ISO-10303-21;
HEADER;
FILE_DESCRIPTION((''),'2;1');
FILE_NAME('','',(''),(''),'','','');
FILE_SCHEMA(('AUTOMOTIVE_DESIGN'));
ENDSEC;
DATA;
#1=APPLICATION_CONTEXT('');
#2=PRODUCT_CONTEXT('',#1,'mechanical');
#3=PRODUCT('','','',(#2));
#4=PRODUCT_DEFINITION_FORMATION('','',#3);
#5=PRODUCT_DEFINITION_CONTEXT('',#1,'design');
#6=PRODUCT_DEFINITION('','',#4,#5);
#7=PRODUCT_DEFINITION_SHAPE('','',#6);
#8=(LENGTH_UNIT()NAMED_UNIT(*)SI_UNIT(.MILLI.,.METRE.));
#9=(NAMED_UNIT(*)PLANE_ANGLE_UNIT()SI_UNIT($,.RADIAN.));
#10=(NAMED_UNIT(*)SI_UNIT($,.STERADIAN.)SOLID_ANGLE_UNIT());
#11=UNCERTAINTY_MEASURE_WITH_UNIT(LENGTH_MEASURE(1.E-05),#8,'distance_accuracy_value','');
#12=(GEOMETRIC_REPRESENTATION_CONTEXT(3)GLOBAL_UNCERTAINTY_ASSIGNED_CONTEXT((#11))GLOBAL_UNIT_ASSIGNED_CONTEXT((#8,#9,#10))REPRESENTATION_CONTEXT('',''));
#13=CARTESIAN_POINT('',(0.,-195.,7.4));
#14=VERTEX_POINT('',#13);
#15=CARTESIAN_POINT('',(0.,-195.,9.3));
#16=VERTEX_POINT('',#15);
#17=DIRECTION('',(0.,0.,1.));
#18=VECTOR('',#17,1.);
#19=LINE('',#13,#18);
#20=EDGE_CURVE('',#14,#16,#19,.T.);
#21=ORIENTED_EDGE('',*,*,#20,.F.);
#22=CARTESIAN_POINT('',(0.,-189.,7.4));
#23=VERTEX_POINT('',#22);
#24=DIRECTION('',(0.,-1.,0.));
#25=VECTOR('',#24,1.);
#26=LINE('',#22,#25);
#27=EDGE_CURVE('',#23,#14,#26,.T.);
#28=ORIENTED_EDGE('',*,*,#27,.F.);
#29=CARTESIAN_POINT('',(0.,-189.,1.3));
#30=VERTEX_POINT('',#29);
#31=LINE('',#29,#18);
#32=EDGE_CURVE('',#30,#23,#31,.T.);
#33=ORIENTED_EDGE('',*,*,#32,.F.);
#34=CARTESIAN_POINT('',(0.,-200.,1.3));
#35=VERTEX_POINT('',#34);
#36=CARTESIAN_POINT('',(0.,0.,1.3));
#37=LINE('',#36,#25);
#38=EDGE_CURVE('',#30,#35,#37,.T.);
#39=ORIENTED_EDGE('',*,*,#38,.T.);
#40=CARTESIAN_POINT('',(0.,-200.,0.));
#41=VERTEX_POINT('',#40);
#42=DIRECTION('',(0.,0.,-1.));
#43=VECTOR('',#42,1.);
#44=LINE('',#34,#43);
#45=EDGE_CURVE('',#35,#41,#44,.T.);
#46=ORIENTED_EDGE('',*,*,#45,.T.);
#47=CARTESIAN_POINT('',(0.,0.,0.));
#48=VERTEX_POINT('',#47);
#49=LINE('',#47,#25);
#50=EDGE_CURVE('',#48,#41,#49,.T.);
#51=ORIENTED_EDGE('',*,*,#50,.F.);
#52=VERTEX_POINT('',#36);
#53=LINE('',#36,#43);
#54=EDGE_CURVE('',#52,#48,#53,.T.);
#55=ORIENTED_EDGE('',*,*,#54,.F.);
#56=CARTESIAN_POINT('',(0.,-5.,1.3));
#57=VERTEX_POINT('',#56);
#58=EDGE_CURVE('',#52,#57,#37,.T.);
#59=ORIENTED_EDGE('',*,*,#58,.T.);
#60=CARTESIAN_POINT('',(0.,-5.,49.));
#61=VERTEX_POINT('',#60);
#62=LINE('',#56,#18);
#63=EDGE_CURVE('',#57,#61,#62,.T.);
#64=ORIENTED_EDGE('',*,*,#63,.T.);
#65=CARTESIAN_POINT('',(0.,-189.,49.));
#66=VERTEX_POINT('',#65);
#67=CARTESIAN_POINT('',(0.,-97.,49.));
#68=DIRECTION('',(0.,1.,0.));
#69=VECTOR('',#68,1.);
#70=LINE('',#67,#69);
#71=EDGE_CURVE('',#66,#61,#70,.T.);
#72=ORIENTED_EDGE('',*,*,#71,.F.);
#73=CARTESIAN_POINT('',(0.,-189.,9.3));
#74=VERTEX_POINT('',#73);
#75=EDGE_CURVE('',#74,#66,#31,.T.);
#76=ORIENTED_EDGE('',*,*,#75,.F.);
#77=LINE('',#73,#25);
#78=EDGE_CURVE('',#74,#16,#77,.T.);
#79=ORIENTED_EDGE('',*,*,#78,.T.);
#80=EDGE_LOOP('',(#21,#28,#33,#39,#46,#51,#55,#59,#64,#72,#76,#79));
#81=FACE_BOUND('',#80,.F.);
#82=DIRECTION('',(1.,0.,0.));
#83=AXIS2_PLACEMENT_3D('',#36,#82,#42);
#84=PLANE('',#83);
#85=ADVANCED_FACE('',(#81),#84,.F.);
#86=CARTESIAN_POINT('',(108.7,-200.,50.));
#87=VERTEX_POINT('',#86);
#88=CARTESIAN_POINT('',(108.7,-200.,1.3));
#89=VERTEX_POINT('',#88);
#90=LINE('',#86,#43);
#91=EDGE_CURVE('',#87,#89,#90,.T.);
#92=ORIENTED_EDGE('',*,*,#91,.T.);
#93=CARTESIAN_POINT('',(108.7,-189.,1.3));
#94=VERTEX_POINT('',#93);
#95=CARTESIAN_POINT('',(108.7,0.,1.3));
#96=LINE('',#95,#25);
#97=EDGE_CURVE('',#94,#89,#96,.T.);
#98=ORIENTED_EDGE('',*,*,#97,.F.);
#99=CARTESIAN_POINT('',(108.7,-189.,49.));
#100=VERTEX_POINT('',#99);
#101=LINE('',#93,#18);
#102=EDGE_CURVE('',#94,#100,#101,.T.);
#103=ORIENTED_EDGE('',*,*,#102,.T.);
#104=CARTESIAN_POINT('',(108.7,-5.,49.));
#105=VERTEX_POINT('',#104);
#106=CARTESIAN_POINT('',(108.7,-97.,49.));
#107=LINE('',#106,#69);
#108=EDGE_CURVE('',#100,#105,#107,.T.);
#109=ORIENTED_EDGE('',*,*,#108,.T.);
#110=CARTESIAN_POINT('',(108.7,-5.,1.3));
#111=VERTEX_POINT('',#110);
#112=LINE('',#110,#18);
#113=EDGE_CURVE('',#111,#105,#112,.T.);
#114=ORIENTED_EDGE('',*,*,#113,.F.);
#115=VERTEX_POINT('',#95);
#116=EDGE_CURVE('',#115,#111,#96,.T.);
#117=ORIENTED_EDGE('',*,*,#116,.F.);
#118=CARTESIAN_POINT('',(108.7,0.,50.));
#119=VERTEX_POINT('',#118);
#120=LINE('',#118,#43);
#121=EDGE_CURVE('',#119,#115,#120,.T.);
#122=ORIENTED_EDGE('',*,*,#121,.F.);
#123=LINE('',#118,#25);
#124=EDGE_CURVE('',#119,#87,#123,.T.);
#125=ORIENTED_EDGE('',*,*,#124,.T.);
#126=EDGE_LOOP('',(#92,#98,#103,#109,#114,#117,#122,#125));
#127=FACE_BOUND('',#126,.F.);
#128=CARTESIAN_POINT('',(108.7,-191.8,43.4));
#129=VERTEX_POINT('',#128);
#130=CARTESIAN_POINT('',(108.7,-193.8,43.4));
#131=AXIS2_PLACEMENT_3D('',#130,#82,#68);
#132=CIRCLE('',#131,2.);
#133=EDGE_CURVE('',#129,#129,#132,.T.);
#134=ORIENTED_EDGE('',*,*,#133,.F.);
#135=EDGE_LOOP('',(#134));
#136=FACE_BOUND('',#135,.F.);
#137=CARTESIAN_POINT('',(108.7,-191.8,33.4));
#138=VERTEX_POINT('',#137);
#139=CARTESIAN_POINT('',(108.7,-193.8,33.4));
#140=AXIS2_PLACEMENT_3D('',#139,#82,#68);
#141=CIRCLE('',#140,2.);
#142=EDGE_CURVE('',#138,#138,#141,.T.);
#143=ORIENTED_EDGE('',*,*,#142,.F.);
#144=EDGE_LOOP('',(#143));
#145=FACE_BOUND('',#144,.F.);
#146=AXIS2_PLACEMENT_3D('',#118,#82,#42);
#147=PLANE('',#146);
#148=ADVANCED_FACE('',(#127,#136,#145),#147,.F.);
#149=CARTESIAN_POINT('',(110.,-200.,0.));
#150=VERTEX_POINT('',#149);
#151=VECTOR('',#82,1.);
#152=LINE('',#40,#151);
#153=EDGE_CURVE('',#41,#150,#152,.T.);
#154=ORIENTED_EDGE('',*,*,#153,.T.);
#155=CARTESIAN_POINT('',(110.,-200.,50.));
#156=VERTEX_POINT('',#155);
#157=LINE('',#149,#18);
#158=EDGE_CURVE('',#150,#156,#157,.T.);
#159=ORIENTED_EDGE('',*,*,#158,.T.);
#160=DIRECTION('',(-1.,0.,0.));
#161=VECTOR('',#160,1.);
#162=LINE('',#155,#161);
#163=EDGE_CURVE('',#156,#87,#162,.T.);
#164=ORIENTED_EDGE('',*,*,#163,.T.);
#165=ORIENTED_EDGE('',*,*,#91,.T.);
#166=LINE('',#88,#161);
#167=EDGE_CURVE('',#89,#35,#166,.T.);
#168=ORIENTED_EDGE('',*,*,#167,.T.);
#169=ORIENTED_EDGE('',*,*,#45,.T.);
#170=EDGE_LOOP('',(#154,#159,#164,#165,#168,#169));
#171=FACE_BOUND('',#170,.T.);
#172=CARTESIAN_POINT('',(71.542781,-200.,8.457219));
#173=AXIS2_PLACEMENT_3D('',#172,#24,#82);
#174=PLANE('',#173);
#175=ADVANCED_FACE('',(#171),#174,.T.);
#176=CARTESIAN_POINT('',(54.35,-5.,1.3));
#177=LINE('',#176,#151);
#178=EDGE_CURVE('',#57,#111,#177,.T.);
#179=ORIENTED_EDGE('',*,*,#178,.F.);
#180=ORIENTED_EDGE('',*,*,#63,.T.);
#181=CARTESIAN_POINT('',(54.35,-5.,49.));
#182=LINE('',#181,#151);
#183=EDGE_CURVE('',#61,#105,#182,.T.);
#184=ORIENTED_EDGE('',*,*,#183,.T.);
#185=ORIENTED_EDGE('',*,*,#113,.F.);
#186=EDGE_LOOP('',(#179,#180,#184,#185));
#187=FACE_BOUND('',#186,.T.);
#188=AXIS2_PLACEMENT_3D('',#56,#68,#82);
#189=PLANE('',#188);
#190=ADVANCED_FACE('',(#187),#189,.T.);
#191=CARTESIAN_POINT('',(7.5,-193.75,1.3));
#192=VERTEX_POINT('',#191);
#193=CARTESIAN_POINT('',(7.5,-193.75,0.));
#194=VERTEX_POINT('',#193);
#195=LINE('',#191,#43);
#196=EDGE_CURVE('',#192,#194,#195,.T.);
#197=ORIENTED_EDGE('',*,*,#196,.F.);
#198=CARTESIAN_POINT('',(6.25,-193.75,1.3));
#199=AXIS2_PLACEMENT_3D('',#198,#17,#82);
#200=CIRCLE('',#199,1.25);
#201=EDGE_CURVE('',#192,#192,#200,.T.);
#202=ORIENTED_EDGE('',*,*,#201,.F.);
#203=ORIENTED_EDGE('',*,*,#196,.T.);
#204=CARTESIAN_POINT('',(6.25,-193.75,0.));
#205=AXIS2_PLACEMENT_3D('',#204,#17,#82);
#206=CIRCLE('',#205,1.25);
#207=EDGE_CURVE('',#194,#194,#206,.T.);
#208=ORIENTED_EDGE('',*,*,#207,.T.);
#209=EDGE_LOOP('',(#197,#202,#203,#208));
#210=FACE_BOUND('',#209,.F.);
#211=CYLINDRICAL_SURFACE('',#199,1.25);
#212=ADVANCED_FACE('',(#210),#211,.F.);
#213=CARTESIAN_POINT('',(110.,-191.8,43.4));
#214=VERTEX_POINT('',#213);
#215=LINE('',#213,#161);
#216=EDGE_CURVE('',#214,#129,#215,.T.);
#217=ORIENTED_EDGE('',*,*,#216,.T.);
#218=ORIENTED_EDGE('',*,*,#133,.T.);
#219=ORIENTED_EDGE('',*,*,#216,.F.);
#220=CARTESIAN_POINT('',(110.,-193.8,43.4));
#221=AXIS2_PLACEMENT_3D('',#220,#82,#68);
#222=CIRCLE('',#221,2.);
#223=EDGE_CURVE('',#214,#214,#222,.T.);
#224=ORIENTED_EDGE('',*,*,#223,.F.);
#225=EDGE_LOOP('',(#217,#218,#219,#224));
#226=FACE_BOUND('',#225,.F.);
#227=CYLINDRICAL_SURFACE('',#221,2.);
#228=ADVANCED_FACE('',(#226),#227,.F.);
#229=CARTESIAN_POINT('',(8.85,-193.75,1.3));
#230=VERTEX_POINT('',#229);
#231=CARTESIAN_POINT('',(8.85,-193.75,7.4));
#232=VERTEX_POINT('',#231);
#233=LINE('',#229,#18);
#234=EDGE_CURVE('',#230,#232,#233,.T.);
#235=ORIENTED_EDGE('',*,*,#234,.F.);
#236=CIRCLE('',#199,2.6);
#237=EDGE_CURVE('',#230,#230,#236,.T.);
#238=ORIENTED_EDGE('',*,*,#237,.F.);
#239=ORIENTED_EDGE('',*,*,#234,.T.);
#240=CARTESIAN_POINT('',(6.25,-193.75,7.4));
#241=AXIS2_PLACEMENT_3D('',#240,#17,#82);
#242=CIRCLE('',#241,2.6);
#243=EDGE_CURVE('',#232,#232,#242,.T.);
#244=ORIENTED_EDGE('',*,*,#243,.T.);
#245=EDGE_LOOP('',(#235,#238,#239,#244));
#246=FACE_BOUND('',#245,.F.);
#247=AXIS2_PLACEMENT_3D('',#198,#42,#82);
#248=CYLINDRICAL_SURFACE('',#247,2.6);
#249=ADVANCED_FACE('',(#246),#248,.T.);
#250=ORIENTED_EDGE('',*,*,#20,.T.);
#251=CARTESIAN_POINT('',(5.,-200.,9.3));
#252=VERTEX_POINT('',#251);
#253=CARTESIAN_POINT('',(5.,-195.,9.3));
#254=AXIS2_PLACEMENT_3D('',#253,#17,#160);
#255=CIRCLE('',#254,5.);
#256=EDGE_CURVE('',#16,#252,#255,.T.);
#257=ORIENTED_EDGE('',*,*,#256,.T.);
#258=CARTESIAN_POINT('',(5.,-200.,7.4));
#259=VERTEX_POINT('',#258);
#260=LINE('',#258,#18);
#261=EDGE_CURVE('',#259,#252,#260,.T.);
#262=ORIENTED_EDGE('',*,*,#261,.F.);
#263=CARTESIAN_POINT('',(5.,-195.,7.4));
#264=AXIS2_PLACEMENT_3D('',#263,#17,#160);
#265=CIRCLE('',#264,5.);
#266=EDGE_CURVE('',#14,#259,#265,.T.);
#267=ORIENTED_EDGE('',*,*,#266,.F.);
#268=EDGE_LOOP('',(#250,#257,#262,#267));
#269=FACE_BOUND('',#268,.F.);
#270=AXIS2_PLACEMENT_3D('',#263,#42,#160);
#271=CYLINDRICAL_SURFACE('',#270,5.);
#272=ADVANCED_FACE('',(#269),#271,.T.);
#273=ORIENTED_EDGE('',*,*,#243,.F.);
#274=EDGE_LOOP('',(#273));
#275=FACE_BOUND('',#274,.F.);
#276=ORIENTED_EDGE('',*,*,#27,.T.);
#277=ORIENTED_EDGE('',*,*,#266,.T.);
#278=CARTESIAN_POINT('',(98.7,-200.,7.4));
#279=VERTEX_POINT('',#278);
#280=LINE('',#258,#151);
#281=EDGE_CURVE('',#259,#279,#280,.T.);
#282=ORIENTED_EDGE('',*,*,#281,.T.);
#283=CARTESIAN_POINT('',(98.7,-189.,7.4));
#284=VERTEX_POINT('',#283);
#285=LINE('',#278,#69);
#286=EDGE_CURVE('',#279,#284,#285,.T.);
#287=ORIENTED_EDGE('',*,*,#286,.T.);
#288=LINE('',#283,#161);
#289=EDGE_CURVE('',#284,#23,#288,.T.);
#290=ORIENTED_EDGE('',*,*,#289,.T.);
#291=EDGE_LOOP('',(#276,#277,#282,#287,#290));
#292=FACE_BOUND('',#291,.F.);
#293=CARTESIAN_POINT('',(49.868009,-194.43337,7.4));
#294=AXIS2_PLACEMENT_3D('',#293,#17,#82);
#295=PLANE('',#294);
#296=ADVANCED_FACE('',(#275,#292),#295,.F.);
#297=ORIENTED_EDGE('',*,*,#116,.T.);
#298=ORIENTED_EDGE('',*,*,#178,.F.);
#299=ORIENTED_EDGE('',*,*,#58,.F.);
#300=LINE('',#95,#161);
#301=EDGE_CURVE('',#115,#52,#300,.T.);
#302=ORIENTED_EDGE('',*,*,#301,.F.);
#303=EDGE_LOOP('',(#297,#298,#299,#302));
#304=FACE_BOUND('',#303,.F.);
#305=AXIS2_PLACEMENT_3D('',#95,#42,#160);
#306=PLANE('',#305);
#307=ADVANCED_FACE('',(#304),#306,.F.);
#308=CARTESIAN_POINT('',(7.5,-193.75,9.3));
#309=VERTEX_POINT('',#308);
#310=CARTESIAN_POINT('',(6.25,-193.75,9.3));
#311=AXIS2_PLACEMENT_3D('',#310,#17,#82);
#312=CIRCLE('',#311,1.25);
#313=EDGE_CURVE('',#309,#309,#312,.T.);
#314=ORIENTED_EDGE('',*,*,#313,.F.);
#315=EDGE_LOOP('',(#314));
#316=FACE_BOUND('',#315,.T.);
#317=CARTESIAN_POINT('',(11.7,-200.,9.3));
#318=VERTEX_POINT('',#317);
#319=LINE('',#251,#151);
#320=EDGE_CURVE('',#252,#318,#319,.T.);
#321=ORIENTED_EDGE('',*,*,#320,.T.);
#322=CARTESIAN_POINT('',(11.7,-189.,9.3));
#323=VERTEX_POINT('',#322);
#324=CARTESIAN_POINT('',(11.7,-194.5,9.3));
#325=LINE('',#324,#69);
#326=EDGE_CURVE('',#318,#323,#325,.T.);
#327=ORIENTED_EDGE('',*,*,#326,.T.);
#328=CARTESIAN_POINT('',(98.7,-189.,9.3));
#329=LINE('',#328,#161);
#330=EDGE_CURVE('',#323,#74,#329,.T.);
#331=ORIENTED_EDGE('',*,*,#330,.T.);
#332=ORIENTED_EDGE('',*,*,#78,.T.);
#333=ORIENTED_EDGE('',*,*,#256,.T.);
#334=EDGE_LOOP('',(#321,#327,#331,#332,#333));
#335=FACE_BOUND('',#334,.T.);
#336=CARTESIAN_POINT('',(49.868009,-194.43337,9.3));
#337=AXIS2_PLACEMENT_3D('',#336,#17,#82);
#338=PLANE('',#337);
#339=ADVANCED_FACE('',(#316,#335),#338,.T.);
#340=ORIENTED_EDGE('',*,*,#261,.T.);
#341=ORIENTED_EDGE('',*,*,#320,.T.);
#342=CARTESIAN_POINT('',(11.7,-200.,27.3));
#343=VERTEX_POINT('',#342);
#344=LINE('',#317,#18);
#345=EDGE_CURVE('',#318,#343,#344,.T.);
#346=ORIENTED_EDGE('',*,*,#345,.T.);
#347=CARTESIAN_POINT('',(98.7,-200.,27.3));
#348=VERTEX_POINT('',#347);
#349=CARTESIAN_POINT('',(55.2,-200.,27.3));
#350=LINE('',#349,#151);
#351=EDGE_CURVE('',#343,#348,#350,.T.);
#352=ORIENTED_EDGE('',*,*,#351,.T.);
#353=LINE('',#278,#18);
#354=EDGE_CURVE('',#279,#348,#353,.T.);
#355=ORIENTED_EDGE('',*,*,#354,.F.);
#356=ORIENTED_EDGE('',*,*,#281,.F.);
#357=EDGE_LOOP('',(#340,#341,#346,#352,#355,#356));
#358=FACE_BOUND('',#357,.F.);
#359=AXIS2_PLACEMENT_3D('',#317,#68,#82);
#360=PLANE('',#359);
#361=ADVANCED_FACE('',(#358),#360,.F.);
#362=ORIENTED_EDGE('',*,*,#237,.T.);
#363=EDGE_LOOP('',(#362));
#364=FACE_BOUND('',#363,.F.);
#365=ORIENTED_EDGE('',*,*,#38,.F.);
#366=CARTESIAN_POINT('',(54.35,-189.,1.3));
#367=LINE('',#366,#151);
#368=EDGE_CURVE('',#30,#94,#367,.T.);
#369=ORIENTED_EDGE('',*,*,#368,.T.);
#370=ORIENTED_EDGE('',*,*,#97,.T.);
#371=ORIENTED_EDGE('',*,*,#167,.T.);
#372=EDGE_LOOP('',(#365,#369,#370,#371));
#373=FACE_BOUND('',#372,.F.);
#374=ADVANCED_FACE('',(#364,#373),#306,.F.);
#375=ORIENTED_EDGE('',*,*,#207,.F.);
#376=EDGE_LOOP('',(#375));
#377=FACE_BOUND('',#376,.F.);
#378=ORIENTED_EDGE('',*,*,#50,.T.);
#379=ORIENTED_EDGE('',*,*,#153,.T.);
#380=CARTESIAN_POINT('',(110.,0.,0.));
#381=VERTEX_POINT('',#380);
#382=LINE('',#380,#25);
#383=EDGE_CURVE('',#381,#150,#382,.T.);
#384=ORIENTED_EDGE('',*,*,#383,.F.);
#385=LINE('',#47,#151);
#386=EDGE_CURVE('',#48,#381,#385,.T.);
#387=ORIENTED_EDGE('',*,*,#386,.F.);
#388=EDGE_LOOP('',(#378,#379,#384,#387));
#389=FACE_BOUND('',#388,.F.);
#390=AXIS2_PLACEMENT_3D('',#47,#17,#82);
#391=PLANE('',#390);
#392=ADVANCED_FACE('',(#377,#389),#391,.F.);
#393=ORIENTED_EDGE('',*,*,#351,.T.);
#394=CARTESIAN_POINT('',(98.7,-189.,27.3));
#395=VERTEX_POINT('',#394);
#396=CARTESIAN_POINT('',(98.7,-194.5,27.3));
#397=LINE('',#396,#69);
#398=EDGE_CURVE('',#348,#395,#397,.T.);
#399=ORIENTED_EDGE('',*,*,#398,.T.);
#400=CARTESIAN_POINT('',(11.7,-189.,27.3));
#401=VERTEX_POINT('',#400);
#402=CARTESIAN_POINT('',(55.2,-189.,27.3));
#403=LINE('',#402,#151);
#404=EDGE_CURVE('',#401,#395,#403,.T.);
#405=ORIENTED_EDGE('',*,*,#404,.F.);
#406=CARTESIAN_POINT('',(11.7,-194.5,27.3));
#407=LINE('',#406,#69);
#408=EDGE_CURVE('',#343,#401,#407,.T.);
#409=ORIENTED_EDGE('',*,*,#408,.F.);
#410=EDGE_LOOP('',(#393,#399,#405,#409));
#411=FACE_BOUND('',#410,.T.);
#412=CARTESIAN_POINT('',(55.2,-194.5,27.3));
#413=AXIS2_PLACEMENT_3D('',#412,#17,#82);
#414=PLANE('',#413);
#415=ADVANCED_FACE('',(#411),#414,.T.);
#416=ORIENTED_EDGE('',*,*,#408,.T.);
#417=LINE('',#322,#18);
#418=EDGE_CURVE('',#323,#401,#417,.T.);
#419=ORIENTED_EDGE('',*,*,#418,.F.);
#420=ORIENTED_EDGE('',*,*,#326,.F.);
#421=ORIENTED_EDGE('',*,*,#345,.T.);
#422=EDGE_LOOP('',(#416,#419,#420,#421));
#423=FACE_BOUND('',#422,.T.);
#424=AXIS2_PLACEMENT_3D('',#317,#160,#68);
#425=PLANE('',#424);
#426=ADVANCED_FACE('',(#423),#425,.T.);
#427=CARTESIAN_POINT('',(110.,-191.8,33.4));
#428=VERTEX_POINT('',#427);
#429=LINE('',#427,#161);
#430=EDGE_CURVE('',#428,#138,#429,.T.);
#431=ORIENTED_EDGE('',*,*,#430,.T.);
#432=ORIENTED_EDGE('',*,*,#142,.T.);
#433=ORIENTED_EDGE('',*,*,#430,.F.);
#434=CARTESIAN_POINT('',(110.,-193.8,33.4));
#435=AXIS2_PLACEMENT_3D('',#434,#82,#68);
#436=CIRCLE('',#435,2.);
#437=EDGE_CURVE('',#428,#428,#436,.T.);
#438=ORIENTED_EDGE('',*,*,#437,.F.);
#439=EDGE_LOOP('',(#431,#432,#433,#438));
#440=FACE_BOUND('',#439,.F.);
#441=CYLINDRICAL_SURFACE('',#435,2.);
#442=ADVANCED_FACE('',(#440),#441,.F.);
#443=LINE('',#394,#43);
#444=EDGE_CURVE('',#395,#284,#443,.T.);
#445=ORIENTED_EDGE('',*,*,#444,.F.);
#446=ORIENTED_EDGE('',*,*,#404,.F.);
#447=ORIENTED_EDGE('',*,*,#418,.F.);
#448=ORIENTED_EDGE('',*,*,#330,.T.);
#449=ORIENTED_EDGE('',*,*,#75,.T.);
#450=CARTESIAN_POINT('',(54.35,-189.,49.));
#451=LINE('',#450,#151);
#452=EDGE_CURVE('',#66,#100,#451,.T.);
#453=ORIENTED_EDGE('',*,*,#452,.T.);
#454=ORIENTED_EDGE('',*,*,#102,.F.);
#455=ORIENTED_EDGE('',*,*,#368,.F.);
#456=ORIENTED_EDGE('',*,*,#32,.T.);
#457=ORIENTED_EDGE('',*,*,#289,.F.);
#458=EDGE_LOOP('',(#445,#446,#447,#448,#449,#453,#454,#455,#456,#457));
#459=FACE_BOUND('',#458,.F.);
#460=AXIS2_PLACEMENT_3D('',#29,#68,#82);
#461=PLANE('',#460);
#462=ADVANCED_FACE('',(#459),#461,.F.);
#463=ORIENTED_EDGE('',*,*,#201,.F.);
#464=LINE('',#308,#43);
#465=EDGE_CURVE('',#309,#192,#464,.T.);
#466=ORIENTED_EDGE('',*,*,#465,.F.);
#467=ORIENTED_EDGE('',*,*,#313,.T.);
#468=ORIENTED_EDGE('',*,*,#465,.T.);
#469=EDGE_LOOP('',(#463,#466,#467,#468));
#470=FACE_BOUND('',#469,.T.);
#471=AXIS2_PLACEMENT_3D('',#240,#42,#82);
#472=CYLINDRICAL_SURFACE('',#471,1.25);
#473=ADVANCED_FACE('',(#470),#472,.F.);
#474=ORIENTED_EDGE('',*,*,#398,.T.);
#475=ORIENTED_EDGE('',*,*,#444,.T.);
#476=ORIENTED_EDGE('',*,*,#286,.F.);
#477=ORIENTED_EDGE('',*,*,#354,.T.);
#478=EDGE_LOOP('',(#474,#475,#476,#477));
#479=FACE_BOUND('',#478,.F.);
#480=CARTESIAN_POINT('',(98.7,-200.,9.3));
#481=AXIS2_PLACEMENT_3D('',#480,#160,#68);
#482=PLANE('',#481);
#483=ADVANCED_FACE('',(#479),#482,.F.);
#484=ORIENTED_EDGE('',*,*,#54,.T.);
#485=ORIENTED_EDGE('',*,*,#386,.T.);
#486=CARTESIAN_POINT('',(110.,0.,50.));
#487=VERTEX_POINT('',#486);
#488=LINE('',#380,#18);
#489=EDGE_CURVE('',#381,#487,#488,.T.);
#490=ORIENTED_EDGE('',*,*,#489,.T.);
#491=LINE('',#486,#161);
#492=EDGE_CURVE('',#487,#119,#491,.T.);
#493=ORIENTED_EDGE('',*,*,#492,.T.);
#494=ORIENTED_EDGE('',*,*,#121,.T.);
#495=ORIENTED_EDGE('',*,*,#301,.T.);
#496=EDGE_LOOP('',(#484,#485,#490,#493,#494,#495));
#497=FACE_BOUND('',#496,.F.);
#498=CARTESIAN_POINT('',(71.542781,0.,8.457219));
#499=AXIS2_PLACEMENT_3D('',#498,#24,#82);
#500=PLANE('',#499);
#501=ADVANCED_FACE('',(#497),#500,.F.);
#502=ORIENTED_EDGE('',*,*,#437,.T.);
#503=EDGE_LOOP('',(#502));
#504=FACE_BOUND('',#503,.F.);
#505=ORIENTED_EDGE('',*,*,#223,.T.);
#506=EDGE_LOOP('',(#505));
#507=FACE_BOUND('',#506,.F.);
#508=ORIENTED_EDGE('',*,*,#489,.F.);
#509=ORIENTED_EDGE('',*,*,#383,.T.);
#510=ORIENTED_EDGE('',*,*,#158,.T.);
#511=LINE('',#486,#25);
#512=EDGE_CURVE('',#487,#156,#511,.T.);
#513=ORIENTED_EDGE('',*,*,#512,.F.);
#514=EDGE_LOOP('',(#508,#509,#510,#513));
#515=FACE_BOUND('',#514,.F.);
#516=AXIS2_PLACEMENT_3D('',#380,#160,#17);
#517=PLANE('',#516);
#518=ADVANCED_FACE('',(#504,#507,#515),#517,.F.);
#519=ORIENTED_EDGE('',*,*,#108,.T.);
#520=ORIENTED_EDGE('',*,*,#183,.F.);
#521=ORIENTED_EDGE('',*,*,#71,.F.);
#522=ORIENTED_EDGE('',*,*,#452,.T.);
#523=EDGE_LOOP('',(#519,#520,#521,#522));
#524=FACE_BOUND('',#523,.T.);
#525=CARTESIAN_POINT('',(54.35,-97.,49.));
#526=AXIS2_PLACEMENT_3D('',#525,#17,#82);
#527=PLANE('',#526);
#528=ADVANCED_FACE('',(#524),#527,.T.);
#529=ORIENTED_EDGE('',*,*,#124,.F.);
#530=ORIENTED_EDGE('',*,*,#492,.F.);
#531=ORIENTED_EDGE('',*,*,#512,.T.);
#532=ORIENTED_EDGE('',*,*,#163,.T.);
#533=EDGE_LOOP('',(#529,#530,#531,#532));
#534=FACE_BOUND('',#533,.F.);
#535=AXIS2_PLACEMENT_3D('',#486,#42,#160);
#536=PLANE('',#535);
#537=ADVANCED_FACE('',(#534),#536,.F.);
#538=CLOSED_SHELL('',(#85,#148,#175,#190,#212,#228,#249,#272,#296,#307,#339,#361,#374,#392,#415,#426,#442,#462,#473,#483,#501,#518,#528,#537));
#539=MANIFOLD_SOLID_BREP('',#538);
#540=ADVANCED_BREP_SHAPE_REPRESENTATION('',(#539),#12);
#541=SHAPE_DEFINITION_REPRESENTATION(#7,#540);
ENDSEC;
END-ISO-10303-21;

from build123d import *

# Parameters (mm, degrees)
F1_DEPTH  = 200
F2_W      = 108.7
F2_H      = 184
F3_DEPTH  = 47.7
F5_R      = 2.6
F5_R_2    = 1.25
F6_DEPTH  = 6.1
F7_R      = 2.6
F7_R_2    = 1.25
F8_DEPTH  = 1.9
F9_W      = 87
F9_H      = 11
F10_DEPTH = 18
F4_R      = 2
F11_DEPTH = 110.001
F12_DEPTH = 1.301


with BuildPart() as f1:
    # F0 (on Front) → F1 (new body)
    with BuildSketch(Plane.XZ):
        Polygon((0, 1.3), (0, 0), (110, 0), (110, 50), (108.7, 50), (108.7, 1.3), align=None)
    extrude(amount=F1_DEPTH)

    # F2 (on face) → F3 (join, through all)
    with BuildSketch(Plane.XY.offset(1.3)):
        with Locations((54.35, -97)):
            Rectangle(F2_W, F2_H)
    extrude(amount=F3_DEPTH)

    # F5 (on face) → F6 (join)
    with BuildSketch(Plane.XY.offset(1.3)):
        with Locations((6.25, -193.75)):
            Circle(F5_R)
        with Locations((6.25, -193.75)):
            Circle(F5_R_2, mode=Mode.SUBTRACT)
    extrude(amount=F6_DEPTH)

    # F7 (on face) → F8 (join)
    with BuildSketch(Plane.XY.offset(7.4)):
        with BuildLine():
            Line((98.7, -200), (98.7, -189))
            Line((98.7, -189), (0, -189))
            Line((0, -189), (0, -195))
            ThreePointArc((0, -195), (1.4644660941, -198.5355339059), (5, -200))
            Line((5, -200), (98.7, -200))
        make_face()
        with Locations((6.25, -193.75)):
            Circle(F7_R, mode=Mode.SUBTRACT)
        with Locations((6.25, -193.75)):
            Circle(F7_R)
        with Locations((6.25, -193.75)):
            Circle(F7_R_2, mode=Mode.SUBTRACT)
    extrude(amount=F8_DEPTH)

    # F9 (on face) → F10 (join)
    with BuildSketch(Plane.XY.offset(9.3)):
        with Locations((55.2, -194.5)):
            Rectangle(F9_W, F9_H)
    extrude(amount=F10_DEPTH)

    # F4 (on face) → F11 (cut, through all)
    with BuildSketch(Plane.YZ.offset(110)):
        with Locations((-193.8, 43.4)):
            Circle(F4_R)
        with Locations((-193.8, 33.4)):
            Circle(F4_R)
    extrude(amount=-F11_DEPTH, mode=Mode.SUBTRACT)

    # F12 (cut, through all): a face of the model
    f12_faces = [f1.faces().sort_by_distance(p)[0] for p in [
        (6.25, -193.75, 1.3),
    ]]
    extrude(f12_faces, amount=-F12_DEPTH, mode=Mode.SUBTRACT)


solid = f1.part
